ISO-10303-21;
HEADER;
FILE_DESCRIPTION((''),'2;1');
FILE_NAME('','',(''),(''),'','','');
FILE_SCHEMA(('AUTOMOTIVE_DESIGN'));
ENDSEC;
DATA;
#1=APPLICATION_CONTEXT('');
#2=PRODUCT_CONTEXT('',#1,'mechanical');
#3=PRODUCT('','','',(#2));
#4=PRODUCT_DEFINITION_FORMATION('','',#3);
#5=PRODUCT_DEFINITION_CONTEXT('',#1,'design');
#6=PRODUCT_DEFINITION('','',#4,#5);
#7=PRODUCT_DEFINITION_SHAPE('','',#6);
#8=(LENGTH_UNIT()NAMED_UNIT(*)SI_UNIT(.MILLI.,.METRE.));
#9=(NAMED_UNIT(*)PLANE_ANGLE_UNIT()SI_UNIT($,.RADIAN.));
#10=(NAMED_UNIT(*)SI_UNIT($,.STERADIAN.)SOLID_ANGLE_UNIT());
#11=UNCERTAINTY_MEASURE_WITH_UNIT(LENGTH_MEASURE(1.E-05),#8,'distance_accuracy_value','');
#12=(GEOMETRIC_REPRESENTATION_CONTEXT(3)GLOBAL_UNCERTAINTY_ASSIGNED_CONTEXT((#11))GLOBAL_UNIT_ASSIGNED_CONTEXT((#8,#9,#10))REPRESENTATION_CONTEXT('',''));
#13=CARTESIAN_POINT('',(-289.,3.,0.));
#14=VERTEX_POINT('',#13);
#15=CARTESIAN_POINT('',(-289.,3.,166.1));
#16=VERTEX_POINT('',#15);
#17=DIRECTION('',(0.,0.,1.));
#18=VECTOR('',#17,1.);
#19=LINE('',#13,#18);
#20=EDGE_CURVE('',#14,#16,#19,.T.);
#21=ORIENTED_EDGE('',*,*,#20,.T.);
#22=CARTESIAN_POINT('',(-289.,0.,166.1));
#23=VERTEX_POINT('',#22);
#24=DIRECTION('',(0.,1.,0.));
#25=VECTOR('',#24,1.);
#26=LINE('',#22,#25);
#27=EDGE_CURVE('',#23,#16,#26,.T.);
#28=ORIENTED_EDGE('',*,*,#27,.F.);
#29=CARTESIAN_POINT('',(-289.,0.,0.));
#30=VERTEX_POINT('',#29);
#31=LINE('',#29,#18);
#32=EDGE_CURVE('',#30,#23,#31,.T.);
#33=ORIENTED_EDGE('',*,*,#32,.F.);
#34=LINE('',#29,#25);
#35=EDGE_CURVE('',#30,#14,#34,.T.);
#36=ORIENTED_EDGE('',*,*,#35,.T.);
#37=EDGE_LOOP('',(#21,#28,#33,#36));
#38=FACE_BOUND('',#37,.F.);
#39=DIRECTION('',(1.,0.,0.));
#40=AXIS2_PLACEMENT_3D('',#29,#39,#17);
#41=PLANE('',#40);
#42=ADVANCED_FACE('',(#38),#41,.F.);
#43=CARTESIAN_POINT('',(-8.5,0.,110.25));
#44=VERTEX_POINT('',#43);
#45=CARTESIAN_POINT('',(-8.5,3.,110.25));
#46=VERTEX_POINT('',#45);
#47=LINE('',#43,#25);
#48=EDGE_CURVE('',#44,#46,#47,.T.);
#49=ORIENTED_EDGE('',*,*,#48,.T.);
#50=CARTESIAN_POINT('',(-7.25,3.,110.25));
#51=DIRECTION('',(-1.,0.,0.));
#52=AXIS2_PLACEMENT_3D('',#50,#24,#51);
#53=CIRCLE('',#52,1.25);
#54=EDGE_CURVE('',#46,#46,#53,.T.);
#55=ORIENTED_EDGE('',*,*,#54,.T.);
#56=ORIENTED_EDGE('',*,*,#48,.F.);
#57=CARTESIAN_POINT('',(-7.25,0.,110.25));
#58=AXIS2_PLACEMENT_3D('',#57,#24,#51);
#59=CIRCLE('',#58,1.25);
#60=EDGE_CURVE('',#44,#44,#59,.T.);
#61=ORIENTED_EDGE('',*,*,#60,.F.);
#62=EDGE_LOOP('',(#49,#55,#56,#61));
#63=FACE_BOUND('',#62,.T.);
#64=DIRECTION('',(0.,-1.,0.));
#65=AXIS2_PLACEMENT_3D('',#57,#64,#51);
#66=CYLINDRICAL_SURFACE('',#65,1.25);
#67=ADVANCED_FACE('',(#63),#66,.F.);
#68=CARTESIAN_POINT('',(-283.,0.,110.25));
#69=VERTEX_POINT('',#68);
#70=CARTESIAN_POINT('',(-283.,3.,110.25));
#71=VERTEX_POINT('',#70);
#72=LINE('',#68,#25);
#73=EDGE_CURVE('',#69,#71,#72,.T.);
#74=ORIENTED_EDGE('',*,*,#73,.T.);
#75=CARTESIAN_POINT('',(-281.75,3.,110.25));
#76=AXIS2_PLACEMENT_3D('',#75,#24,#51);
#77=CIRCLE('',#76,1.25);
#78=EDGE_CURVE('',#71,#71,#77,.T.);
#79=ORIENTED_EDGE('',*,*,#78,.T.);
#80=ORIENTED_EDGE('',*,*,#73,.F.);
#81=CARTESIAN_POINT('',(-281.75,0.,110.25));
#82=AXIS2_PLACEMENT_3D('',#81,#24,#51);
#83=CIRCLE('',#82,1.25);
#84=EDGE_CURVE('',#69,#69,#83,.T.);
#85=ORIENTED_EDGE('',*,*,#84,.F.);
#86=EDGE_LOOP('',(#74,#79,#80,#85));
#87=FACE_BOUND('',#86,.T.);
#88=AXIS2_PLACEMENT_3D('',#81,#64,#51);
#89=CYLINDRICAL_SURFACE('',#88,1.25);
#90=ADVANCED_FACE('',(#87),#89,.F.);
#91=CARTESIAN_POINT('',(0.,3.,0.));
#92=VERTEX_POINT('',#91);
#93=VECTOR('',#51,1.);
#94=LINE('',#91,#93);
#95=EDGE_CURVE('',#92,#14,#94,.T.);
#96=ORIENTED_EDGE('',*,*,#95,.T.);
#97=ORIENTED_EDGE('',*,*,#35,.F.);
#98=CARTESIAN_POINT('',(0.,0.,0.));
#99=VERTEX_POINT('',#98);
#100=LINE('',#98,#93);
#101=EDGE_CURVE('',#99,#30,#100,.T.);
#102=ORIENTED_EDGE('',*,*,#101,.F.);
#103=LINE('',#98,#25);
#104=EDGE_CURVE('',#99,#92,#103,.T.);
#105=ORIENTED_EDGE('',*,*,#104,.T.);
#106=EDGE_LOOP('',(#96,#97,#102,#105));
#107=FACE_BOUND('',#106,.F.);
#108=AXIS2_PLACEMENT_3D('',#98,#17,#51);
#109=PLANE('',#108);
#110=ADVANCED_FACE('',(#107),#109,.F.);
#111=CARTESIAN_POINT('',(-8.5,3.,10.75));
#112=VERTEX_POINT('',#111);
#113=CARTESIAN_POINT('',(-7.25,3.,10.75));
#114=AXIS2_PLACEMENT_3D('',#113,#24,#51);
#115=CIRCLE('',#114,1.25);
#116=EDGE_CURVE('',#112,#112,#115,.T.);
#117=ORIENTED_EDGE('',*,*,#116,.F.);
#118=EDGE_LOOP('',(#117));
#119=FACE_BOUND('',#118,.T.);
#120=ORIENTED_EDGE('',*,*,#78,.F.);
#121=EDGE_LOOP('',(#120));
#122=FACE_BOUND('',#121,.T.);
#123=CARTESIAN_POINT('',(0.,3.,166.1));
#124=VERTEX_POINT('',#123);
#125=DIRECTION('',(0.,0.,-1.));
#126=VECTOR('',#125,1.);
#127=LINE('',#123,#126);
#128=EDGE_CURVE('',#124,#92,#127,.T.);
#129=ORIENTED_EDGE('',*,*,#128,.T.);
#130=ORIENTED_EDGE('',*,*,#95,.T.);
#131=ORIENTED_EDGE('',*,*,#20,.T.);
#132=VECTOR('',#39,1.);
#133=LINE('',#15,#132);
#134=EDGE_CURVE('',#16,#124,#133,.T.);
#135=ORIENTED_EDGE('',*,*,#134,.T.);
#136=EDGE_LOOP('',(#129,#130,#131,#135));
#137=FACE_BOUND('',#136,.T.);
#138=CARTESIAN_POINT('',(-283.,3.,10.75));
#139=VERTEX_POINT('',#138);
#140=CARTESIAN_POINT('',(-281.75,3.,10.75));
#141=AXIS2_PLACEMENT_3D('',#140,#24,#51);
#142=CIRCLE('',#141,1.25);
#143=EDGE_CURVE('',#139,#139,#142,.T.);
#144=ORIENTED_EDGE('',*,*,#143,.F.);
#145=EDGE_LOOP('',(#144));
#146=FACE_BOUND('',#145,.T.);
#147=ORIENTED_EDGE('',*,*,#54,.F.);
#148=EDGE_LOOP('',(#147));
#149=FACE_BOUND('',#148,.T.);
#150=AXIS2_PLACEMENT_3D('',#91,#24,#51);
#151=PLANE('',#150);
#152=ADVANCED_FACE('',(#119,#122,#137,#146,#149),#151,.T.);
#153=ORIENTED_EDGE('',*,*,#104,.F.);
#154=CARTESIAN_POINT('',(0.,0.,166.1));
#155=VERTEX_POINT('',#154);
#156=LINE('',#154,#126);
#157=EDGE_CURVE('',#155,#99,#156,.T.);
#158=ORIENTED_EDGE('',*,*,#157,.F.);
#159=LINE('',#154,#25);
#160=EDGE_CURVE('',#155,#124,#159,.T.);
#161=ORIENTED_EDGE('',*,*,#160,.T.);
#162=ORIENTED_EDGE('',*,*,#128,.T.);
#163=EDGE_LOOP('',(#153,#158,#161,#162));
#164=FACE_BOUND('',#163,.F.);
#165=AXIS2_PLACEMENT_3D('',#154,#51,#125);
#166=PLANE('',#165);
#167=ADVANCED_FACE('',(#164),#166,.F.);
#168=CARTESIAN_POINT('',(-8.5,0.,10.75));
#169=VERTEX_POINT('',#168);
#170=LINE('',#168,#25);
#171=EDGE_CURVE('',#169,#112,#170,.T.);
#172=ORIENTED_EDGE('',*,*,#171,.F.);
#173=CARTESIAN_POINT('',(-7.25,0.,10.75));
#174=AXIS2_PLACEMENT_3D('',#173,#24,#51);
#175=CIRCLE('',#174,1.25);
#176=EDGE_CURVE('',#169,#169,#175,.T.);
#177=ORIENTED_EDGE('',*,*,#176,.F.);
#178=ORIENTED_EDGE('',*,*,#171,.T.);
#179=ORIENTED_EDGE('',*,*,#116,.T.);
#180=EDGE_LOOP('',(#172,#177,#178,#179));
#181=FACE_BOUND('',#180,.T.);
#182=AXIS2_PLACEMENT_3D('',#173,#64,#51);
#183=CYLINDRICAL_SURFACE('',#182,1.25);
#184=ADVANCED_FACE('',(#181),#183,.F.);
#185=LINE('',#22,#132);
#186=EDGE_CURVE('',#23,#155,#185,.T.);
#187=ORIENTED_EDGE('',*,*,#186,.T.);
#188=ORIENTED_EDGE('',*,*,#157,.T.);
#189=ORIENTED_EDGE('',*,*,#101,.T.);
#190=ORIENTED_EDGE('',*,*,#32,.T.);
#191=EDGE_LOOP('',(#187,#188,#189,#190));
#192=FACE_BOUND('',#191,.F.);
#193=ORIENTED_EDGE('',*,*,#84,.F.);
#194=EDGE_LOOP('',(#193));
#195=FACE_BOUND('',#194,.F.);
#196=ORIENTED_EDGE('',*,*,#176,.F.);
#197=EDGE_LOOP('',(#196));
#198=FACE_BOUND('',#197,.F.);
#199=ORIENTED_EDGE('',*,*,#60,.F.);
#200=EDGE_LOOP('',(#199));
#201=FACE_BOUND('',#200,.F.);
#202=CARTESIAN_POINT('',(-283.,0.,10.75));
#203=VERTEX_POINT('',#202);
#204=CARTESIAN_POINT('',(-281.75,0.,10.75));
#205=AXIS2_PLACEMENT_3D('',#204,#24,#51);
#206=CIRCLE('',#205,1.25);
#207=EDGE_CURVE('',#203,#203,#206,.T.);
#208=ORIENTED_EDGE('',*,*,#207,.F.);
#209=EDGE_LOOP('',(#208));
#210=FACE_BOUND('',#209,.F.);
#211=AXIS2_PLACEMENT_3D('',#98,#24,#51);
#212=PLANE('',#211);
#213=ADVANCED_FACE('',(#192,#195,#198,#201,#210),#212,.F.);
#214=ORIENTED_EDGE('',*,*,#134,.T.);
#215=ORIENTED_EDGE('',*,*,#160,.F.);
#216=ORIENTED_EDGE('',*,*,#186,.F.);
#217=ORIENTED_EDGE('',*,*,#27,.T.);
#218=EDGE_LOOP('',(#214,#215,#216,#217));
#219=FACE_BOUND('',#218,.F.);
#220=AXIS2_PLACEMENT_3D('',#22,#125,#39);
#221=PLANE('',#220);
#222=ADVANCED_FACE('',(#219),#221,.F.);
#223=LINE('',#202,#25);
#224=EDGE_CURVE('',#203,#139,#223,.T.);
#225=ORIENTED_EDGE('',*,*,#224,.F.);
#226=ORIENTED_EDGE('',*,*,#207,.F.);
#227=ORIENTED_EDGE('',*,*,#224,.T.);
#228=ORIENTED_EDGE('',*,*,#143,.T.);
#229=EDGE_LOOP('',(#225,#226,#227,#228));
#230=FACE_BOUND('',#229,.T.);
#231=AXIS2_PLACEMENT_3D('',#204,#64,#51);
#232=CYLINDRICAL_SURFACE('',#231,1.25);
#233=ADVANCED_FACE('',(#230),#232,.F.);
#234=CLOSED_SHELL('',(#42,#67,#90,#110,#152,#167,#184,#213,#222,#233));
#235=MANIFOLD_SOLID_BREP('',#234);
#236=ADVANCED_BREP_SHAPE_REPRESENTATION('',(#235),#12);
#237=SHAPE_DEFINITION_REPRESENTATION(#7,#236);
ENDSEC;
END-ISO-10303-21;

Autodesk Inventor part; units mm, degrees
ref_plane "YZ Plane" through (0, 0, 0) normal (1, 0, 0) x (0, 1, 0)
ref_plane "XZ Plane" through (0, 0, 0) normal (0, 1, 0) x (-1, 0, 0)
ref_plane "XY Plane" through (0, 0, 0) normal (0, 0, 1) x (1, 0, 0)
sketch "Sketch1" plane through (0, 0, 0) normal (0, 1, 0) x (-1, 0, 0)
  line L0 (0, 0) -> (289, 0)
  line L1 (289, 0) -> (289, 166.1)
  line L2 (289, 166.1) -> (0, 166.1)
  line L3 (0, 166.1) -> (0, 0)
  circle A0 centre (7.25, 10.75) radius 1.25
  circle A1 centre (7.25, 110.25) radius 1.25
  line L4 (144.5, 166.1) -> (144.5, 0) construction
  circle A2 centre (281.75, 10.75) radius 1.25
  circle A3 centre (281.75, 110.25) radius 1.25
  dimension "d0" = 289
  dimension "d1" = 166.1
  dimension "d4" = 2.5
  dimension "d5" = 7.25
  dimension "d6" = 10.75
  dimension "d7" = 2.5
  dimension "d8" = 7.25
  dimension "d9" = 99.5
extrude "Extrusion1" add sketch "Sketch1" along normal blind 3
equation "\"d7\" = d4"
equation "\"d8\" = d5"
properties part number "wall-front-outer"
